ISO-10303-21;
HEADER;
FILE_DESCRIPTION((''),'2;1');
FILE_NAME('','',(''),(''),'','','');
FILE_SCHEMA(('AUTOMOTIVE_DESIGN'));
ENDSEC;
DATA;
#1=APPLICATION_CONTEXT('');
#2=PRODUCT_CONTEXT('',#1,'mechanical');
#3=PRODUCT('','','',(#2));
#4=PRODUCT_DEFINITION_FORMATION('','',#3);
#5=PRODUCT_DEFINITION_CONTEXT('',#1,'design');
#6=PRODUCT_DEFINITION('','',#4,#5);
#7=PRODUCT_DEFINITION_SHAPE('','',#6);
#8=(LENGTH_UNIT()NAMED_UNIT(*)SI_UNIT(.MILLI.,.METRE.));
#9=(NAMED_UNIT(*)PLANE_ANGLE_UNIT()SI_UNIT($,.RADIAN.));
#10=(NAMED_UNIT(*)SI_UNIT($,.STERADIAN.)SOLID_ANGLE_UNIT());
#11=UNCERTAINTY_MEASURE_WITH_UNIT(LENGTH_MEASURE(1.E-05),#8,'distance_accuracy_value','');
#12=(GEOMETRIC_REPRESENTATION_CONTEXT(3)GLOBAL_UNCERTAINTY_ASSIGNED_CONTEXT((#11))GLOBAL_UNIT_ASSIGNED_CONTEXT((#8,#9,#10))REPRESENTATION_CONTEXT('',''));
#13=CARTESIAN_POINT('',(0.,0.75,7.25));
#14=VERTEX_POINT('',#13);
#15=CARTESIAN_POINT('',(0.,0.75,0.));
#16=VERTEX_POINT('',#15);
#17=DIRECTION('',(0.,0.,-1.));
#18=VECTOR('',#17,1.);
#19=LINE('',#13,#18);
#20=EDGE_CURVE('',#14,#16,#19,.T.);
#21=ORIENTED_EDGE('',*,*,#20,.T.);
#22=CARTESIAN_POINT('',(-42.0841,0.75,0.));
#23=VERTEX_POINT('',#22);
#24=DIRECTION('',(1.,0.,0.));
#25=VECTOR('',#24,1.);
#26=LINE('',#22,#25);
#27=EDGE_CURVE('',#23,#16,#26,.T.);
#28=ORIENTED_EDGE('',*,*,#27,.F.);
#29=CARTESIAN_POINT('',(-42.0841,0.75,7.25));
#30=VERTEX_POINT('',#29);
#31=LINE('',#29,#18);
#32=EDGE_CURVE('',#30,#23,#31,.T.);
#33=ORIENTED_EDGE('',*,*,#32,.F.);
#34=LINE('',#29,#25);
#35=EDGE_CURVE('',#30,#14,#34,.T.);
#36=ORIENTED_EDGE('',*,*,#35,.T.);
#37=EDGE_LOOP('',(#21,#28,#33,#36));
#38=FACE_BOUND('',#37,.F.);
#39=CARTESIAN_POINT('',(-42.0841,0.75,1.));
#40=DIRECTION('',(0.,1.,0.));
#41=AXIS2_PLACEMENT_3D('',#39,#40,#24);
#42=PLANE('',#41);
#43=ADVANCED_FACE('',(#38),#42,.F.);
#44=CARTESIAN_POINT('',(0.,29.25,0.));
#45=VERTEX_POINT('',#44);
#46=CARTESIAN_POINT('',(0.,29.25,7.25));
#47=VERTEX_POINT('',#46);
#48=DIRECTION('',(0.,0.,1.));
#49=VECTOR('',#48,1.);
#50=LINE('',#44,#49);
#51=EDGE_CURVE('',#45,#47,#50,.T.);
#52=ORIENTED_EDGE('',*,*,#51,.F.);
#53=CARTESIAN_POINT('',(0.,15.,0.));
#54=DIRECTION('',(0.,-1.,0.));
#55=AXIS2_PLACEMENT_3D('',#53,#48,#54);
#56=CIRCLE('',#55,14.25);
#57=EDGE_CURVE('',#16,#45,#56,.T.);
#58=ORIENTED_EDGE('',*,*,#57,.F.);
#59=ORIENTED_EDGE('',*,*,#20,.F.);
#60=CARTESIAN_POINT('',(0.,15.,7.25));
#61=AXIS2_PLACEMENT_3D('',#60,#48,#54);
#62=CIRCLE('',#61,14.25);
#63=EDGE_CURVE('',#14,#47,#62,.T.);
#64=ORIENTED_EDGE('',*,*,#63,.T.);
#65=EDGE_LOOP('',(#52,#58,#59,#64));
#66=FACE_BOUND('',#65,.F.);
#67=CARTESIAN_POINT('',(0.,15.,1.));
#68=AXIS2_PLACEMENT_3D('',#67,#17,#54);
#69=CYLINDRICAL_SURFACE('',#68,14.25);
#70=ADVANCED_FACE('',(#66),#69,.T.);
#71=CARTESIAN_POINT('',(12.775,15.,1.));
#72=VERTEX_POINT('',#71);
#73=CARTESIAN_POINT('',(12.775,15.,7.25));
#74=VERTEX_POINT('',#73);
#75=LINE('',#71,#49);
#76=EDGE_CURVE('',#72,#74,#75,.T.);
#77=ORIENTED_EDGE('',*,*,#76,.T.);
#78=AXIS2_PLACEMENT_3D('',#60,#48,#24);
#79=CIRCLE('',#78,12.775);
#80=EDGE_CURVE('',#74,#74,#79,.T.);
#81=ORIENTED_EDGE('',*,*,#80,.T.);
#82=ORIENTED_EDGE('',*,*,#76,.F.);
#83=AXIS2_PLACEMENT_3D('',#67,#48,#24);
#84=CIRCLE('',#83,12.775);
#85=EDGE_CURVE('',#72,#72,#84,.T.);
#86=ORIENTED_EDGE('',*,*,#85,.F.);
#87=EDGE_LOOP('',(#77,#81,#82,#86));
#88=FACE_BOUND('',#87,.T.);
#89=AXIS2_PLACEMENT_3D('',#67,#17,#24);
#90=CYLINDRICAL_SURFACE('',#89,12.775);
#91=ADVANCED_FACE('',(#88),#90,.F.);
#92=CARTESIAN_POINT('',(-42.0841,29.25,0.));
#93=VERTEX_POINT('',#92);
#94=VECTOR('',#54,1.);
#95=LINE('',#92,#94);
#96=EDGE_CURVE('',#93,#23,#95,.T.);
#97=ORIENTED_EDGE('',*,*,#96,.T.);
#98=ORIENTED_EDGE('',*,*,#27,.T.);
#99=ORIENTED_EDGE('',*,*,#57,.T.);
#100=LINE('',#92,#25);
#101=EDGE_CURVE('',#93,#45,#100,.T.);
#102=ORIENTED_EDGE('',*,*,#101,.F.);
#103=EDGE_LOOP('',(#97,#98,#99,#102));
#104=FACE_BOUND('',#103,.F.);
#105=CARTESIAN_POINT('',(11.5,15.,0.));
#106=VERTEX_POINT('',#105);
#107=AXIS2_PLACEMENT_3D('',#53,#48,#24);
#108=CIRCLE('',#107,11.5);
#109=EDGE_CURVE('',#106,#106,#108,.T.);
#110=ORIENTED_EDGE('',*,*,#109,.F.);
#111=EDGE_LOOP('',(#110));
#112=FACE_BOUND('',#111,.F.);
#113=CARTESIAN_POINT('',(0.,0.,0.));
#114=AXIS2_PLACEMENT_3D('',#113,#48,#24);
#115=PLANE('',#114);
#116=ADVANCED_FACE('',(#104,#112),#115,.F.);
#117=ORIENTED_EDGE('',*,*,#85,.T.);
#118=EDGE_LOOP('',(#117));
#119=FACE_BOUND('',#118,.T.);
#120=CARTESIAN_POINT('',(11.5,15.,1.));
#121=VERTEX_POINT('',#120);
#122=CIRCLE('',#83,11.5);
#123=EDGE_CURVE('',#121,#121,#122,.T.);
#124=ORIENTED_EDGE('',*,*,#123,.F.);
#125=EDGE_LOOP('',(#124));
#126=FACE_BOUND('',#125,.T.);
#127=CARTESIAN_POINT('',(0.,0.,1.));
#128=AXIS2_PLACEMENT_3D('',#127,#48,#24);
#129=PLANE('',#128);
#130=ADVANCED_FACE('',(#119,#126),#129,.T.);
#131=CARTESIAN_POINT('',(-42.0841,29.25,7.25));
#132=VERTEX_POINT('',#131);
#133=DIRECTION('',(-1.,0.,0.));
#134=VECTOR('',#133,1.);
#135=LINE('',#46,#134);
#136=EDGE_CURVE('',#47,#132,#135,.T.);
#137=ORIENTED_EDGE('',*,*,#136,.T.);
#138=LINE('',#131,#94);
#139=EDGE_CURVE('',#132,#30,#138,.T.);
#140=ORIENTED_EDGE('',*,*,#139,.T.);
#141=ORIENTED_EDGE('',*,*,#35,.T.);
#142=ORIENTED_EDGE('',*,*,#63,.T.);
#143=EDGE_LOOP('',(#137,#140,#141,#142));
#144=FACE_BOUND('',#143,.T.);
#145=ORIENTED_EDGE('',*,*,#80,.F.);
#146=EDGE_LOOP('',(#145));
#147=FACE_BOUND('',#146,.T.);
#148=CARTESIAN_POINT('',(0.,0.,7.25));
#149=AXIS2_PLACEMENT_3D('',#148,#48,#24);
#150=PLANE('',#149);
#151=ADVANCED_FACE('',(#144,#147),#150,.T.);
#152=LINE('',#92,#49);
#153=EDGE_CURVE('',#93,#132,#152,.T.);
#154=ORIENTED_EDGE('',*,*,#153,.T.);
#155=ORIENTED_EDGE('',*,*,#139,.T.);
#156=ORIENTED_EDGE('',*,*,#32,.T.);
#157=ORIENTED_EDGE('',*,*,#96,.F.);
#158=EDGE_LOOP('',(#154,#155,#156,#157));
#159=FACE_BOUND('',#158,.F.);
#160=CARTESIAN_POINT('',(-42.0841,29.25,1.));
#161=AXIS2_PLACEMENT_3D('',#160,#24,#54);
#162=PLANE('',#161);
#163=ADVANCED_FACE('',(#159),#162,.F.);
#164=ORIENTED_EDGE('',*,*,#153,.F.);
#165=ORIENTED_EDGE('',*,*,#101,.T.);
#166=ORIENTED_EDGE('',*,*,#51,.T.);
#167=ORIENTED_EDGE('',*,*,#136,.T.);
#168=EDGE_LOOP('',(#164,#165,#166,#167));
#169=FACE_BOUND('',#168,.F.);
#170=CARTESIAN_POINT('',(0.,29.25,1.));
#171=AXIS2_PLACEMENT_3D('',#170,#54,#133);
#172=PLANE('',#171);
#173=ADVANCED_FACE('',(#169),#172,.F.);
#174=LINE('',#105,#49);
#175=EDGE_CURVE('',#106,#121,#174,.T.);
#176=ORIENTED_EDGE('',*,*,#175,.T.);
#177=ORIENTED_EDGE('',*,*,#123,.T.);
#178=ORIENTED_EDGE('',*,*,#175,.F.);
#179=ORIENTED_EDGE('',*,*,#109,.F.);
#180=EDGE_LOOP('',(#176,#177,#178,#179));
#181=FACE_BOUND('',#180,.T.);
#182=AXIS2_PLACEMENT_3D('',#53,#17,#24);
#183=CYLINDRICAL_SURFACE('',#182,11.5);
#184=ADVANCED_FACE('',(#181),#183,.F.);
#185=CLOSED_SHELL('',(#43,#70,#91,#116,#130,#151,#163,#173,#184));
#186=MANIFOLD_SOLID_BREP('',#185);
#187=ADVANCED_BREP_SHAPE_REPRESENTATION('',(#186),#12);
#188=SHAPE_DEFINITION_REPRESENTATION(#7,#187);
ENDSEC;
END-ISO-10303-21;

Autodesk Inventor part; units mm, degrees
ref_plane "YZ Plane" through (0, 0, 0) normal (1, 0, 0) x (0, 1, 0)
ref_plane "XZ Plane" through (0, 0, 0) normal (0, 1, 0) x (-1, 0, 0)
ref_plane "XY Plane" through (0, 0, 0) normal (0, 0, 1) x (1, 0, 0)
ref_plane "Work Plane1" through (0, 0, 0) normal (0, 0, 1) x (1, 0, 0)
sketch "Sketch1" plane through (0, 0, 0) normal (0, 0, 1) x (1, 0, 0)
  arc A0 (-18.155, 30) -> (-18.155, 0) centre (0, 15) ccw construction
  line L0 (-18.155, 0) -> (-3.4871, 0) construction
  line L1 (-18.155, 30) -> (-3.4871, 30) construction
  circle A1 centre (0, 15) radius 15.4 construction
  arc A2 (-6.5238, 29.25) -> (-6.5238, 0.75) centre (0, 15) ccw construction
  line L2 (-6.5238, 0.75) -> (-17.7982, 0.75) construction
  arc A3 (-17.7982, 29.25) -> (-17.7982, 0.75) centre (0, 15) ccw construction
  line L3 (-17.7982, 29.25) -> (-6.5238, 29.25) construction
  circle A4 centre (0, 15) radius 12.775 construction
  line L4 (-6.5238, 29.25) -> (0, 29.25) construction
  line L5 (-6.5238, 0.75) -> (0, 0.75) construction
  arc A5 (0, 0.75) -> (0, 29.25) centre (0, 15) ccw construction
  line L6 (-42.0841, 29.25) -> (-42.0841, 0.75)
  line L7 (-42.0841, 0.75) -> (0, 0.75)
  line L8 (-42.0841, 29.25) -> (0, 29.25)
  circle A6 centre (0, 15) radius 11.5
  arc A7 (0, 0.75) -> (0, 29.25) centre (0, 15) ccw
  arc A8 (-3.4871, 0) -> (3.4871, 0) centre (0, 15) ccw projected
  line L9 (3.4871, 0) -> (18, 0) projected
  line L10 (18, 0) -> (18, 30) projected
  line L11 (3.4871, 30) -> (18, 30) projected
  arc A9 (3.4871, 30) -> (-3.4871, 30) centre (0, 15) ccw projected
  line L12 (-7.3927, 28.5095) -> (7.3927, 28.5095) projected
  arc A10 (7.3927, 1.4905) -> (7.3927, 28.5095) centre (0, 15) ccw projected
  line L13 (7.3927, 1.4905) -> (-7.3927, 1.4905) projected
  arc A11 (-7.3927, 28.5095) -> (-7.3927, 1.4905) centre (0, 15) ccw projected
  point P0 (0, 0)
  dimension "d0" = 0.75
  dimension "d1" = 25.55
  dimension "d2" = 23
extrude "Extrusion1" add sketch "Sketch1" along normal blind 1 contours L8 A7 L12 A11 L13 L7 L6 | A7 L13 A11 L12
sketch "Sketch2" plane through (0, 0, 1) normal (0, 0, 1) x (1, 0, 0)
  circle A0 centre (0, 15) radius 11.5 projected
  line L0 (0, 29.25) -> (-42.0841, 29.25) projected
  line L1 (-42.0841, 29.25) -> (-42.0841, 0.75) projected
  line L2 (-42.0841, 0.75) -> (0, 0.75) projected
  arc A1 (0, 0.75) -> (0, 29.25) centre (0, 15) ccw projected
  circle A2 centre (0, 15) radius 12.775
  point P0 (0, 0)
  dimension "d5" = 25.55
extrude "Extrusion2" add sketch "Sketch2" along normal blind 6.25 contours A1 L2 L1 L0
properties part number "10_Filteslide_25mm"
